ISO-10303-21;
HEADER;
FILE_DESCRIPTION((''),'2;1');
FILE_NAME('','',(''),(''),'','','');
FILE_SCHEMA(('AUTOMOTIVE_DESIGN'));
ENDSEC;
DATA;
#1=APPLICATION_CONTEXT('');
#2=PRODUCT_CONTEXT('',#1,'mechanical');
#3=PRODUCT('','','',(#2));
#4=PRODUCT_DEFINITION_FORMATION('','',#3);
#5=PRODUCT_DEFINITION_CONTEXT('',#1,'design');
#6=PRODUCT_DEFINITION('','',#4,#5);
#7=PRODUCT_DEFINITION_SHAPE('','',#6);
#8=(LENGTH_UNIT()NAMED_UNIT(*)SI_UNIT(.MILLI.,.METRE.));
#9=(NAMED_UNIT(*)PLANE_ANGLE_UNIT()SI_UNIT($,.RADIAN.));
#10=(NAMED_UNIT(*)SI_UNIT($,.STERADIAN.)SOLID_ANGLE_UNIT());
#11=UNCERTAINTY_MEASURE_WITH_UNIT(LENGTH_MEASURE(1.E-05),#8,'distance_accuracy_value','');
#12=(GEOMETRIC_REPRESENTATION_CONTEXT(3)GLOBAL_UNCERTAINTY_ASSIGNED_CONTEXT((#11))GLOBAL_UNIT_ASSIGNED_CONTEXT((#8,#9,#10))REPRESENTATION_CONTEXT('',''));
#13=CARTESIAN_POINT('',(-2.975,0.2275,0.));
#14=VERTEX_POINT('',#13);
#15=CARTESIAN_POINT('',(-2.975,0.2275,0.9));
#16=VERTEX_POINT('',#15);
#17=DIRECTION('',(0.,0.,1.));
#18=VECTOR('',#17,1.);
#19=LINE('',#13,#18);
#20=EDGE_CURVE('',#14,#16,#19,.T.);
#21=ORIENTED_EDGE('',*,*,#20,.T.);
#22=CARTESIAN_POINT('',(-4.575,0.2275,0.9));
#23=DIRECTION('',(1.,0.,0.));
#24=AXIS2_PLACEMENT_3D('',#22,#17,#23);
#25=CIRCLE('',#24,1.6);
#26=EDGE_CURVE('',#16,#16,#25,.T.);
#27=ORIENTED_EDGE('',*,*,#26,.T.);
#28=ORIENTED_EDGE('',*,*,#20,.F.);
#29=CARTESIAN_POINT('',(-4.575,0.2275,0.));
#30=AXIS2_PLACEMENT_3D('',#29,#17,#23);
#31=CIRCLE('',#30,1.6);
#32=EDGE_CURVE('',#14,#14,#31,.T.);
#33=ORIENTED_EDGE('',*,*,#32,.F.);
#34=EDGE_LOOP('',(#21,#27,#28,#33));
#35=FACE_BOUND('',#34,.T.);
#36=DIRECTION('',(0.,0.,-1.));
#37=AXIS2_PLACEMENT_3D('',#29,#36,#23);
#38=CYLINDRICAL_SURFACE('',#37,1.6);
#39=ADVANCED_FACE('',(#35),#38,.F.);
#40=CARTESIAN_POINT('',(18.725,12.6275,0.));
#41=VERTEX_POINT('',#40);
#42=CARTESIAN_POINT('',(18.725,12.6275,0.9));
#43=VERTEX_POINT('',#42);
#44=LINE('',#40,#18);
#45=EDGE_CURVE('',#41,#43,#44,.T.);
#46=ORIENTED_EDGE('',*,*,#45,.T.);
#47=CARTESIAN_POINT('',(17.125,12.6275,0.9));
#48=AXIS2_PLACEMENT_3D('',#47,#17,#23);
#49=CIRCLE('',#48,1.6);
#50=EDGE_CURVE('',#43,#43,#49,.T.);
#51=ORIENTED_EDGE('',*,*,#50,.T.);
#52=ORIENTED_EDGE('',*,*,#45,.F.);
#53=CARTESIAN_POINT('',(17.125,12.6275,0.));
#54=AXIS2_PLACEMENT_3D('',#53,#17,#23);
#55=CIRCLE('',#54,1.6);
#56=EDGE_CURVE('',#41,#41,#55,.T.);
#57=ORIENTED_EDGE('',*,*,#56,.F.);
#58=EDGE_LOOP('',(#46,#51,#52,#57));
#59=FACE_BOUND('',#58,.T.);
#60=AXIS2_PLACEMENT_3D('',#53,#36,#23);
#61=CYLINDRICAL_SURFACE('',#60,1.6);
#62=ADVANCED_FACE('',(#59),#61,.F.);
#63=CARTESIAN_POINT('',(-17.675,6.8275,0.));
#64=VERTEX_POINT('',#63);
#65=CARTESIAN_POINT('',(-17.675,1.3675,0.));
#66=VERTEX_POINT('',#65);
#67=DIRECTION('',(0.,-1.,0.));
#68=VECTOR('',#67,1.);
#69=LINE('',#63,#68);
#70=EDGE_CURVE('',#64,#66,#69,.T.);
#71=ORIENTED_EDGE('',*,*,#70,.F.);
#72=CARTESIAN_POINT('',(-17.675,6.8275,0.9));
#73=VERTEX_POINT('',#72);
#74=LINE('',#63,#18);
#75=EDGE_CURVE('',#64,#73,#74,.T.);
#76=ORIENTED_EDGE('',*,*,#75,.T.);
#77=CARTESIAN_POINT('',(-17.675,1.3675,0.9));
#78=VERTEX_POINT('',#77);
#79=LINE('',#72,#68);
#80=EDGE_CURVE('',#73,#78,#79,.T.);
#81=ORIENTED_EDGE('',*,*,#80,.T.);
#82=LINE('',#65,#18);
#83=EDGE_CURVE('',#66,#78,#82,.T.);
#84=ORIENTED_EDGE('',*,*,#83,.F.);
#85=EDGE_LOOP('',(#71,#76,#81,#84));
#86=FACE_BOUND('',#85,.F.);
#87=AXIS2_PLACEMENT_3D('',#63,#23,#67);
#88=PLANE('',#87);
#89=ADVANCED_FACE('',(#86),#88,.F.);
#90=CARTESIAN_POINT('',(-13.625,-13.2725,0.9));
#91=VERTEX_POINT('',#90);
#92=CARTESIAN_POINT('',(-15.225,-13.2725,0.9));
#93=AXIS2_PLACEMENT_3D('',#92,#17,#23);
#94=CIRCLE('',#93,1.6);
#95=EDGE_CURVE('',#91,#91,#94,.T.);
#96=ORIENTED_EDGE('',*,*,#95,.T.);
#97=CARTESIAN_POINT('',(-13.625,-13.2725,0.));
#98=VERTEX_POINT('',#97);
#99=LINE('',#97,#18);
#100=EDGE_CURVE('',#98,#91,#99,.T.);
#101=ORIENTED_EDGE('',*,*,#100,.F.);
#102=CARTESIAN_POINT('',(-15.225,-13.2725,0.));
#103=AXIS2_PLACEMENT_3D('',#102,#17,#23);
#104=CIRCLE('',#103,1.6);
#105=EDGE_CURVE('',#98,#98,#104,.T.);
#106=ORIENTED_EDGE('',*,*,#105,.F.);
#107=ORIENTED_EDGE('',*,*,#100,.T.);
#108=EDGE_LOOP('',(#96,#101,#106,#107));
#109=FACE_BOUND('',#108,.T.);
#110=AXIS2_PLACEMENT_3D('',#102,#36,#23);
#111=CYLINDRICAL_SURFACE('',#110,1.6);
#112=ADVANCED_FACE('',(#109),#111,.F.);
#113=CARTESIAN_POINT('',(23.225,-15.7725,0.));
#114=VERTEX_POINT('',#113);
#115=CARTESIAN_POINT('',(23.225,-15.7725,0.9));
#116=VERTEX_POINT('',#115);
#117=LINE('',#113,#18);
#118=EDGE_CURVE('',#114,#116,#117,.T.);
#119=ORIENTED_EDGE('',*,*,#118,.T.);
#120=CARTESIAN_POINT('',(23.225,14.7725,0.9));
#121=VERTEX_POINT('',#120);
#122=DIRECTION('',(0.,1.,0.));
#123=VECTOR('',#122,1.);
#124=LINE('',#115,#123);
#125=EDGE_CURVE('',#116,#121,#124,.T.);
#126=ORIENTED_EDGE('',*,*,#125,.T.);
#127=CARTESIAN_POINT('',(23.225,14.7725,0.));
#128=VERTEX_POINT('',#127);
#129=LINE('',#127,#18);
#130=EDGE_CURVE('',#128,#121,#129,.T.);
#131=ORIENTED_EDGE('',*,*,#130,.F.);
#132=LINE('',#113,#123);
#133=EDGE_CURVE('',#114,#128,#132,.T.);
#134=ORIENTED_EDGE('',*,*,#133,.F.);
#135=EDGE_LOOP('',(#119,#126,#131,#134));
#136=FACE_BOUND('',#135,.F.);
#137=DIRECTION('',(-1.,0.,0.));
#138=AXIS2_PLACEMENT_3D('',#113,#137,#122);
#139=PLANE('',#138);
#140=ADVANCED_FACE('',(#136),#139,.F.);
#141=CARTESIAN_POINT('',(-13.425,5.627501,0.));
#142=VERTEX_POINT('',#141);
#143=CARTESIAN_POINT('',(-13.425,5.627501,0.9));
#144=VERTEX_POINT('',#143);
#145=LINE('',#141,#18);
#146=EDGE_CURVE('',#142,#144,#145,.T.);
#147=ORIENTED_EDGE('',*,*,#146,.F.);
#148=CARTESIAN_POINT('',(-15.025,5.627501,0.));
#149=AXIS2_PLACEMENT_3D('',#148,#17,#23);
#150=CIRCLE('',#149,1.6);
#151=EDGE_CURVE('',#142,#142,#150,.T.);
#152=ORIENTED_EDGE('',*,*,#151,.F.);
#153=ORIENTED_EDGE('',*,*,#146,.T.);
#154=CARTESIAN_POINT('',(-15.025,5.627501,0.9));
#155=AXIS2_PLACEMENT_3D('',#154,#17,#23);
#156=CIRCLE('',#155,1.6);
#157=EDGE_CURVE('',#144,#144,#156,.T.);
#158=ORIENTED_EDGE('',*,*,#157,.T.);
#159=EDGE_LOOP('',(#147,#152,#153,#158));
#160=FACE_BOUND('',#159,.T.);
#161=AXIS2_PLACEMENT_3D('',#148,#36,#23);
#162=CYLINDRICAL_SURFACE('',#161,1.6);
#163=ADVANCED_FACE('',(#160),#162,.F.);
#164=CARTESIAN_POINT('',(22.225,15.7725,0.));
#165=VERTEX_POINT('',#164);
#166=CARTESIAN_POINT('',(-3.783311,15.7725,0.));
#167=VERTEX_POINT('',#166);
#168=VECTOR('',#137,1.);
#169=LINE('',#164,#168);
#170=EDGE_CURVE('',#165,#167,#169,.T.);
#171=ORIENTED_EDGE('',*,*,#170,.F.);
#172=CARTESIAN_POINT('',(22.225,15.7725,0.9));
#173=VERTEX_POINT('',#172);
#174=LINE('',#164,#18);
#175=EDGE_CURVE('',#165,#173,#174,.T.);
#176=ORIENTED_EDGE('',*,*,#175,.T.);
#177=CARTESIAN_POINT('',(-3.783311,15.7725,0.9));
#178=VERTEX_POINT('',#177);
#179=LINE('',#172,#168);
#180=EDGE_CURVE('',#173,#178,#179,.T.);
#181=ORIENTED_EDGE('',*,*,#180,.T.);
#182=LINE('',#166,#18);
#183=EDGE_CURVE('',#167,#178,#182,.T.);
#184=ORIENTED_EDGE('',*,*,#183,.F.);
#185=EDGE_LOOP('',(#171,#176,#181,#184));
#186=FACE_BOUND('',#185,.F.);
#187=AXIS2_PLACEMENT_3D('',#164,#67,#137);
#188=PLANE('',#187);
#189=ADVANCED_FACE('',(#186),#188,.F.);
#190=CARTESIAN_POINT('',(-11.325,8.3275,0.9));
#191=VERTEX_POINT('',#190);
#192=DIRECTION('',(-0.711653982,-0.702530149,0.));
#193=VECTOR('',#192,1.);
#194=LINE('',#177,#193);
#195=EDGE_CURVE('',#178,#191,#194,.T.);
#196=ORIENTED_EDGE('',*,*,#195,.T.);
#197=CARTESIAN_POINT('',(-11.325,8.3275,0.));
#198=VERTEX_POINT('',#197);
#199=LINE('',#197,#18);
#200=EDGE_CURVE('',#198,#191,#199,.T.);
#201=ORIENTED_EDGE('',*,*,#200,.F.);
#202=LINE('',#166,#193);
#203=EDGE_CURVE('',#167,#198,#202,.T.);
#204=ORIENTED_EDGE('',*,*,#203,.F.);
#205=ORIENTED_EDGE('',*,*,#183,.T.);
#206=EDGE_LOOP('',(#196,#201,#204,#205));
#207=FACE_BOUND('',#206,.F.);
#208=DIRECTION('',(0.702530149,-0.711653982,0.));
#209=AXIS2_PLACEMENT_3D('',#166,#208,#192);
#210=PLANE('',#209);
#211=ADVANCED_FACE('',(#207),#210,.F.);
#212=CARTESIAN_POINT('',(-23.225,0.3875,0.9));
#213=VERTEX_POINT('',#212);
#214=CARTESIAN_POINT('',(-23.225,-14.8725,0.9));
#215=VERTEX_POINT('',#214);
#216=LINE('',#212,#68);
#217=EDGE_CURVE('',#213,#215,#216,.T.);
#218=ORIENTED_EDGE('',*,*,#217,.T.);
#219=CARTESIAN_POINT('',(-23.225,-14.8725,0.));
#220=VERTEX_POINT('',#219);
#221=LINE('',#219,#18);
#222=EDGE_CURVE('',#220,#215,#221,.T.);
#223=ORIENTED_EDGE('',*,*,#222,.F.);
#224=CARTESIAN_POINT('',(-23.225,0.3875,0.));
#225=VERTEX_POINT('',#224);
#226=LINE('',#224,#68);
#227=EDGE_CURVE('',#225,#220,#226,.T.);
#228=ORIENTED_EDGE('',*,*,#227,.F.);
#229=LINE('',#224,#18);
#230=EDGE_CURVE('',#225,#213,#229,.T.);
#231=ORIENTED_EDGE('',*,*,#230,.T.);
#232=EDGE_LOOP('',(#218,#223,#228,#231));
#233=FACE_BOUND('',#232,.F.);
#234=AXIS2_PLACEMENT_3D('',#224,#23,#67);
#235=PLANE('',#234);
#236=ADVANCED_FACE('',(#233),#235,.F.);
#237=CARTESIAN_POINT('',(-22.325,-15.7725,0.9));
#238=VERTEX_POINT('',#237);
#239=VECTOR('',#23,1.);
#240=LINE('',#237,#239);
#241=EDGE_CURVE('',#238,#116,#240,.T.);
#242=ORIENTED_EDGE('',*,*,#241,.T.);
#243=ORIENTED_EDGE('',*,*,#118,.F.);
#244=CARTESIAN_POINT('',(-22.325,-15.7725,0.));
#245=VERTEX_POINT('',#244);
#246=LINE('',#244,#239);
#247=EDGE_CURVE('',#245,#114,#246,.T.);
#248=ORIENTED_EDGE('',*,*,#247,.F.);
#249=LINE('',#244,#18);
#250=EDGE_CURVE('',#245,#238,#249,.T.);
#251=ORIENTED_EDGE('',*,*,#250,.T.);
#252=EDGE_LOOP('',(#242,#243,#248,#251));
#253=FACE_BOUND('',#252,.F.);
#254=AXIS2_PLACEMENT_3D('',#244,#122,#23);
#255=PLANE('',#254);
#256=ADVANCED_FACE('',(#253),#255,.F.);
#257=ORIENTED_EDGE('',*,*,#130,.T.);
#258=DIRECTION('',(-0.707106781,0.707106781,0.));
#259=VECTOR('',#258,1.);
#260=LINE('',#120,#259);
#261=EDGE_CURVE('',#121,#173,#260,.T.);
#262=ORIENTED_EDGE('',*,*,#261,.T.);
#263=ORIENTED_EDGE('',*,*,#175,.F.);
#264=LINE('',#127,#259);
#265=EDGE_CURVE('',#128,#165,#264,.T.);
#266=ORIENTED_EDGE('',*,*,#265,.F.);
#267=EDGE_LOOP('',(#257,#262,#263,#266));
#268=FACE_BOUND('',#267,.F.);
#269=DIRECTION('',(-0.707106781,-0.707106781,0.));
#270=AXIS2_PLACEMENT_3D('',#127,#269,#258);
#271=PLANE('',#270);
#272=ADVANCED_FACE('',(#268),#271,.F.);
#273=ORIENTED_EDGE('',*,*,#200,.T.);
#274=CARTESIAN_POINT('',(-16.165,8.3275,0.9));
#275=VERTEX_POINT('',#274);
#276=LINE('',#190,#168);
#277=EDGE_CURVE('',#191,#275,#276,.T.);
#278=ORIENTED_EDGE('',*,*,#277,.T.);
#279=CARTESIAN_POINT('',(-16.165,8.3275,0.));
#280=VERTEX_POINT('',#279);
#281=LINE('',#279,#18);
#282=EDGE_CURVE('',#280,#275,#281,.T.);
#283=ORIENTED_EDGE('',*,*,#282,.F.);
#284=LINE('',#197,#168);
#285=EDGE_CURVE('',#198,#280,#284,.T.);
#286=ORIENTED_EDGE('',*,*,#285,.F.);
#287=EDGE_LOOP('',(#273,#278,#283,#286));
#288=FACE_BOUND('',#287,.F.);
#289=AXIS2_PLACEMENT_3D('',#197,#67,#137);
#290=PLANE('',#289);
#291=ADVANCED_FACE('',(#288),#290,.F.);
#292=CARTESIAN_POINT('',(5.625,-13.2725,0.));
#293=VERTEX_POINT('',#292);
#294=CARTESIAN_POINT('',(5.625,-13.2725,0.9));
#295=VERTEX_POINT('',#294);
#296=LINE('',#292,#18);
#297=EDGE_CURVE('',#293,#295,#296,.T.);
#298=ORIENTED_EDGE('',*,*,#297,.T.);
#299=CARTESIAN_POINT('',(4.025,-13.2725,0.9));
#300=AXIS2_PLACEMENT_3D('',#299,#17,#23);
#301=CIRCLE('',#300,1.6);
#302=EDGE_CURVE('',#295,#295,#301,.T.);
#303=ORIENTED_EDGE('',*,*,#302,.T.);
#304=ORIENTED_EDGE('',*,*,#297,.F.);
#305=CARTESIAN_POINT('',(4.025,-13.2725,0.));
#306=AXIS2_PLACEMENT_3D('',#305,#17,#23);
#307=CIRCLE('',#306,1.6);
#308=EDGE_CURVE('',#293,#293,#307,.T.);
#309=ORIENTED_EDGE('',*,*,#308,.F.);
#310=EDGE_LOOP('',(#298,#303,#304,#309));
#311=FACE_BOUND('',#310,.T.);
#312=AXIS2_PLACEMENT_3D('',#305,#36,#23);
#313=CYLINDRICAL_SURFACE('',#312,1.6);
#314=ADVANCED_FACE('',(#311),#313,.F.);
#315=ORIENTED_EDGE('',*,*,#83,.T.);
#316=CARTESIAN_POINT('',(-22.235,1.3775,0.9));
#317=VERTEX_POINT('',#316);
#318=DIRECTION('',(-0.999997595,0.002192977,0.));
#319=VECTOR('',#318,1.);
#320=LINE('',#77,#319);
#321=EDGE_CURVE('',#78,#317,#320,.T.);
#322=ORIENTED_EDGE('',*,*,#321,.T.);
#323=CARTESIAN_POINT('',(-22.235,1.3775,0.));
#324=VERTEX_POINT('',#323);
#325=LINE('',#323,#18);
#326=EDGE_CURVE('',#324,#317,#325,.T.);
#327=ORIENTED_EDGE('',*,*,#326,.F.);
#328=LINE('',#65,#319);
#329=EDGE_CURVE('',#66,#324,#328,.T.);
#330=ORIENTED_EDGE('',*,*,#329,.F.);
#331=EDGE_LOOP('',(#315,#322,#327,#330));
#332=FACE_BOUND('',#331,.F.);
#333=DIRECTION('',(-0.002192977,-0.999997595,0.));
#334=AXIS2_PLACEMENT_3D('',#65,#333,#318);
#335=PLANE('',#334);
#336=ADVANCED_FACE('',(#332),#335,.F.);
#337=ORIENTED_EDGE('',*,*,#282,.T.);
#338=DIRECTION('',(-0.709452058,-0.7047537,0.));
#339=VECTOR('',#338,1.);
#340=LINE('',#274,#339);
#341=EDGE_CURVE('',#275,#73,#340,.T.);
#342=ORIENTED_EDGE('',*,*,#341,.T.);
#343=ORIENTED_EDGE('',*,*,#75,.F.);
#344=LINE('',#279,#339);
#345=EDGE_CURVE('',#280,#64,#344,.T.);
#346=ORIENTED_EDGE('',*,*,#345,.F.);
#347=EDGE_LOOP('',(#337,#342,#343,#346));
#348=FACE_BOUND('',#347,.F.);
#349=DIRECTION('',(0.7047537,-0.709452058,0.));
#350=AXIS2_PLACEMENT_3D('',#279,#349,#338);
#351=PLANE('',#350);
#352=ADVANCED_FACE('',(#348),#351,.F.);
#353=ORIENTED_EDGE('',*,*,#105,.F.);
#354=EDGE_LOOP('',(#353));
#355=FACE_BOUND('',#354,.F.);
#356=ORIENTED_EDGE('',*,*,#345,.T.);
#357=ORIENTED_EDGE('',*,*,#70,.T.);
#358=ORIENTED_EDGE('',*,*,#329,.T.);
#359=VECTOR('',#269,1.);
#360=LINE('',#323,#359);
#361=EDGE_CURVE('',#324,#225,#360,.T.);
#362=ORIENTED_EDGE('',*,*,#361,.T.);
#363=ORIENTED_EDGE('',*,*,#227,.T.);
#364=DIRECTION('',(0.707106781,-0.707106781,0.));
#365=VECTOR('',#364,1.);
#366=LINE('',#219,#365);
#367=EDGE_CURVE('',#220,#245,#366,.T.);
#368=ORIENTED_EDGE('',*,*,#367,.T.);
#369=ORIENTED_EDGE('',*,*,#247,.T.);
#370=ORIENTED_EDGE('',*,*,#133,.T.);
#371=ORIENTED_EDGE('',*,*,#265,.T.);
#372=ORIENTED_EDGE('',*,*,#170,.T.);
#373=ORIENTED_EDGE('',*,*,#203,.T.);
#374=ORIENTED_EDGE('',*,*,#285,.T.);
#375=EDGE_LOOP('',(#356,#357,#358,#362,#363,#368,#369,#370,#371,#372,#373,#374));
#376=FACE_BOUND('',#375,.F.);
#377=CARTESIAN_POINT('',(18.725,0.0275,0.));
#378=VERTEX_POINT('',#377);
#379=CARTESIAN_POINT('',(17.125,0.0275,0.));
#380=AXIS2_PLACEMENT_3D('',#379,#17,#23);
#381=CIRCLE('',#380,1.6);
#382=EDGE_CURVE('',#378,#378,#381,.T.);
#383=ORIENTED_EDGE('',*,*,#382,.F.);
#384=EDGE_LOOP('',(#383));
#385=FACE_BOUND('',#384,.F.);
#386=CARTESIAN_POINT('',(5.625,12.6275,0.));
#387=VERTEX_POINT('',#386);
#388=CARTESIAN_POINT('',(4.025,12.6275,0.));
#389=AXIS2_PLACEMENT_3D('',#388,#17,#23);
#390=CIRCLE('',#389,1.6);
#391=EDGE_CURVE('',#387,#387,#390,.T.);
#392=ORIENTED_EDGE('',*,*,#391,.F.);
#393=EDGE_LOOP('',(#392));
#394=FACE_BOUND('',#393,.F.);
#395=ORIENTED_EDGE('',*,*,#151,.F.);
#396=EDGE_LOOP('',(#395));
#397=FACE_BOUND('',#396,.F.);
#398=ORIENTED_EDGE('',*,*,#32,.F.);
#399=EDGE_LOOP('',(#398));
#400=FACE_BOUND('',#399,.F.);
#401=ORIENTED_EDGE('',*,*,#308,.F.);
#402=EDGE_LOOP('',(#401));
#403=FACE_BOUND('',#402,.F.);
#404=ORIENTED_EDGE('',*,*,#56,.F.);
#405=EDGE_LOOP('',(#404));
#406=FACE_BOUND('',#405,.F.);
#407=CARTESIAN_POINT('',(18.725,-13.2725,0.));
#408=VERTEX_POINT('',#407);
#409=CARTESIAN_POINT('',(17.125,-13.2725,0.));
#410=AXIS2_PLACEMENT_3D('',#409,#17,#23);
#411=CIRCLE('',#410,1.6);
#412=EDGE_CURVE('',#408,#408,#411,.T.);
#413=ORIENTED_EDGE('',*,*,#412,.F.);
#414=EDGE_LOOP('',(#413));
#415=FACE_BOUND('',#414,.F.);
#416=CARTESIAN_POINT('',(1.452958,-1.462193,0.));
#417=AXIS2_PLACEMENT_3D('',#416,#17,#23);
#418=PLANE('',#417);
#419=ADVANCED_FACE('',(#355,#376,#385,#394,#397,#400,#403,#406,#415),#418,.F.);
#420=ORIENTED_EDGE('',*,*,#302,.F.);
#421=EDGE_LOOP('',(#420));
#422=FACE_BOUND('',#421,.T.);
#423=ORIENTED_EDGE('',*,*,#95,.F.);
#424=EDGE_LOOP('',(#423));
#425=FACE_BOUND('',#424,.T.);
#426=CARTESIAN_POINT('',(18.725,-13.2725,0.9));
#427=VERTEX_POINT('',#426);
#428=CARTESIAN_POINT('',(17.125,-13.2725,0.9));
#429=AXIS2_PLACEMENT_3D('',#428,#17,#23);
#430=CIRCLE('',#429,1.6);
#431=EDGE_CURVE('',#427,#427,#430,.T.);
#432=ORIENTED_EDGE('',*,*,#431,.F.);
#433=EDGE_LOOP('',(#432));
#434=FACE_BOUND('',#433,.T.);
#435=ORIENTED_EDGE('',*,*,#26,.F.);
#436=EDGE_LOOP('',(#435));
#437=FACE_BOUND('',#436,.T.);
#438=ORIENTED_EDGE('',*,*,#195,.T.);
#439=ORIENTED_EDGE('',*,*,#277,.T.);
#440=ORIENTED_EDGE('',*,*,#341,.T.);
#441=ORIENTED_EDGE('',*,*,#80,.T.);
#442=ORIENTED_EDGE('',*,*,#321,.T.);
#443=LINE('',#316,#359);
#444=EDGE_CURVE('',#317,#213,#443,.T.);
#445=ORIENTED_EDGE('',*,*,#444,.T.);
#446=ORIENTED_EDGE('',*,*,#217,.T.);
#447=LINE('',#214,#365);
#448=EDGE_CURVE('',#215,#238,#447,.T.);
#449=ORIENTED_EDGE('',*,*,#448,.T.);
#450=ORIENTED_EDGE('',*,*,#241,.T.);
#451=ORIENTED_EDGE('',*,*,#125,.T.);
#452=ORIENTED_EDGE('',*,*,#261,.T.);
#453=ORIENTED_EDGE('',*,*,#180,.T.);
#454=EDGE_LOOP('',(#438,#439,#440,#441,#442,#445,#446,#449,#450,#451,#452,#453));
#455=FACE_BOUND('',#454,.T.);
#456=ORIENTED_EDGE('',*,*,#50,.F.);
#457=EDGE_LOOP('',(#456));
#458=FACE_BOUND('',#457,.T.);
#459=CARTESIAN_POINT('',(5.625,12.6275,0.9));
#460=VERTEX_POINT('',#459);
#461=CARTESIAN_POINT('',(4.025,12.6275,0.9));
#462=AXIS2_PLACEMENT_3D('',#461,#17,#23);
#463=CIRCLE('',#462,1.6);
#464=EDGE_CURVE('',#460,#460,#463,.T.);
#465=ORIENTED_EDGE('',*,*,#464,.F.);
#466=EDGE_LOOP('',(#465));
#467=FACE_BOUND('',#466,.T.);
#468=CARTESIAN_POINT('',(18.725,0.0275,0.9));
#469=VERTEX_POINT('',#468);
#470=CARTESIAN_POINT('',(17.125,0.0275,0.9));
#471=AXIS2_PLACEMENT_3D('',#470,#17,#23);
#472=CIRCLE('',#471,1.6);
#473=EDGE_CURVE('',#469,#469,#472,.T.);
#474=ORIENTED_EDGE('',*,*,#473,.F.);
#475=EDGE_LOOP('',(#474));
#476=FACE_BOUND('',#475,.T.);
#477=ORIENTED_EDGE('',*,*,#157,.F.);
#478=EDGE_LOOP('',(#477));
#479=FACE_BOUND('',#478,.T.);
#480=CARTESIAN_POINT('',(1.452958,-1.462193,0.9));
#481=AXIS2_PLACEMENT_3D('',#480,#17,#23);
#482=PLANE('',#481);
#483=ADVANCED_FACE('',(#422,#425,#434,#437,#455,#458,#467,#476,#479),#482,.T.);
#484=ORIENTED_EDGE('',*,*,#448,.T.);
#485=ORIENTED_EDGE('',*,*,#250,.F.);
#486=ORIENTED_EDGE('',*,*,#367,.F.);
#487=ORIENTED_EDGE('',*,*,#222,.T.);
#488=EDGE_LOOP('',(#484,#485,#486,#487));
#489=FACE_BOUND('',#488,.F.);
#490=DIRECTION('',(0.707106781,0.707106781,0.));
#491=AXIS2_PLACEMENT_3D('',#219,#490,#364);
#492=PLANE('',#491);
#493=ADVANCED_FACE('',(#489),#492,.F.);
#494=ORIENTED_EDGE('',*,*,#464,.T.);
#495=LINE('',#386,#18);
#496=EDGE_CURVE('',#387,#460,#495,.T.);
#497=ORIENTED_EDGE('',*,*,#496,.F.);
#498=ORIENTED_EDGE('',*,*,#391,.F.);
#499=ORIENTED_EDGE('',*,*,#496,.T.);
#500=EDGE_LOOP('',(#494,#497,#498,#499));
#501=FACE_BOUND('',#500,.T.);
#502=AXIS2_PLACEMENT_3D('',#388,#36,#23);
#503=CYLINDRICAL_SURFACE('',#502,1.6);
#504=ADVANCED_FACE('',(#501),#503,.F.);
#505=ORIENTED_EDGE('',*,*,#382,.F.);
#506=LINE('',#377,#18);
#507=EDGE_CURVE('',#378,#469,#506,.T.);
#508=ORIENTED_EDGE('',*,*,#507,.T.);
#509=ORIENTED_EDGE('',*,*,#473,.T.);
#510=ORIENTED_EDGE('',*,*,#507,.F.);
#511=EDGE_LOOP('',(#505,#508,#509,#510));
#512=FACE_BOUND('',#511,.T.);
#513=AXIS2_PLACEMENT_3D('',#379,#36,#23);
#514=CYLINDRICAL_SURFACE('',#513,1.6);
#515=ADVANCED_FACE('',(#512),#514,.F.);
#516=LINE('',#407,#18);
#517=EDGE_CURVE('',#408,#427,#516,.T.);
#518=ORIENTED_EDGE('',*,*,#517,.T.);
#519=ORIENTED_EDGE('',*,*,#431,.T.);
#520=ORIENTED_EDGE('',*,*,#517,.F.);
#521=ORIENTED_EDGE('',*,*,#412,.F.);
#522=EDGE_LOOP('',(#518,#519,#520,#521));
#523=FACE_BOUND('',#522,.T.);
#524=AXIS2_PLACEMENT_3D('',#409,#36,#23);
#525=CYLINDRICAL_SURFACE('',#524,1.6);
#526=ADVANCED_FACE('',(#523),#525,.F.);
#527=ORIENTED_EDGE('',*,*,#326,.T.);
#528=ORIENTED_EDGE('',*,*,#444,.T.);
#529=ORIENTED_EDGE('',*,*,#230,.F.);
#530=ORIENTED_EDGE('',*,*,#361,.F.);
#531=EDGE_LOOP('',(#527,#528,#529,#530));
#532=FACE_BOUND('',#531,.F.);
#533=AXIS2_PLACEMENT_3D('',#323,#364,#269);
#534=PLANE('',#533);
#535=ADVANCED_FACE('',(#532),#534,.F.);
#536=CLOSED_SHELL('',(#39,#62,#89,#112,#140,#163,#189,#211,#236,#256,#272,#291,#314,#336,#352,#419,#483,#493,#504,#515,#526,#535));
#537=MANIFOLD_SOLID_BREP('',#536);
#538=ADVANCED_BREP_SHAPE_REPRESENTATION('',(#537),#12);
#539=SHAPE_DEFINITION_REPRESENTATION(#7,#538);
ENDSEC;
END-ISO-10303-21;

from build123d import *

# Parameters (mm, degrees)
F0_R     = 1.6
F1_DEPTH = 0.9


with BuildPart() as f1:
    # F0 (on Top) → F1 (new body)
    with BuildSketch(Plane.XY):
        Polygon((-23.225, -14.8725), (-22.325, -15.7725), (23.225, -15.7725), (23.225, 14.7725), (22.225, 15.7725), (-3.783311, 15.7725), (-11.325, 8.3275), (-16.165, 8.3275), (-17.675, 6.8275), (-17.675, 1.3675), (-22.235, 1.3775), (-23.225, 0.3875), (-23.225, -7.3323), (-23.225, -13.0127), align=None)
        with Locations((-15.225, -13.2725)):
            Circle(F0_R, mode=Mode.SUBTRACT)
        with Locations((4.025, -13.2725)):
            Circle(F0_R, mode=Mode.SUBTRACT)
        with Locations((17.125, -13.2725)):
            Circle(F0_R, mode=Mode.SUBTRACT)
        with Locations((-15.025, 5.627501)):
            Circle(F0_R, mode=Mode.SUBTRACT)
        with Locations((-4.575, 0.2275)):
            Circle(F0_R, mode=Mode.SUBTRACT)
        with Locations((17.125, 0.0275)):
            Circle(F0_R, mode=Mode.SUBTRACT)
        with Locations((4.025, 12.6275)):
            Circle(F0_R, mode=Mode.SUBTRACT)
        with Locations((17.125, 12.6275)):
            Circle(F0_R, mode=Mode.SUBTRACT)
    extrude(amount=F1_DEPTH)


solid = f1.part
